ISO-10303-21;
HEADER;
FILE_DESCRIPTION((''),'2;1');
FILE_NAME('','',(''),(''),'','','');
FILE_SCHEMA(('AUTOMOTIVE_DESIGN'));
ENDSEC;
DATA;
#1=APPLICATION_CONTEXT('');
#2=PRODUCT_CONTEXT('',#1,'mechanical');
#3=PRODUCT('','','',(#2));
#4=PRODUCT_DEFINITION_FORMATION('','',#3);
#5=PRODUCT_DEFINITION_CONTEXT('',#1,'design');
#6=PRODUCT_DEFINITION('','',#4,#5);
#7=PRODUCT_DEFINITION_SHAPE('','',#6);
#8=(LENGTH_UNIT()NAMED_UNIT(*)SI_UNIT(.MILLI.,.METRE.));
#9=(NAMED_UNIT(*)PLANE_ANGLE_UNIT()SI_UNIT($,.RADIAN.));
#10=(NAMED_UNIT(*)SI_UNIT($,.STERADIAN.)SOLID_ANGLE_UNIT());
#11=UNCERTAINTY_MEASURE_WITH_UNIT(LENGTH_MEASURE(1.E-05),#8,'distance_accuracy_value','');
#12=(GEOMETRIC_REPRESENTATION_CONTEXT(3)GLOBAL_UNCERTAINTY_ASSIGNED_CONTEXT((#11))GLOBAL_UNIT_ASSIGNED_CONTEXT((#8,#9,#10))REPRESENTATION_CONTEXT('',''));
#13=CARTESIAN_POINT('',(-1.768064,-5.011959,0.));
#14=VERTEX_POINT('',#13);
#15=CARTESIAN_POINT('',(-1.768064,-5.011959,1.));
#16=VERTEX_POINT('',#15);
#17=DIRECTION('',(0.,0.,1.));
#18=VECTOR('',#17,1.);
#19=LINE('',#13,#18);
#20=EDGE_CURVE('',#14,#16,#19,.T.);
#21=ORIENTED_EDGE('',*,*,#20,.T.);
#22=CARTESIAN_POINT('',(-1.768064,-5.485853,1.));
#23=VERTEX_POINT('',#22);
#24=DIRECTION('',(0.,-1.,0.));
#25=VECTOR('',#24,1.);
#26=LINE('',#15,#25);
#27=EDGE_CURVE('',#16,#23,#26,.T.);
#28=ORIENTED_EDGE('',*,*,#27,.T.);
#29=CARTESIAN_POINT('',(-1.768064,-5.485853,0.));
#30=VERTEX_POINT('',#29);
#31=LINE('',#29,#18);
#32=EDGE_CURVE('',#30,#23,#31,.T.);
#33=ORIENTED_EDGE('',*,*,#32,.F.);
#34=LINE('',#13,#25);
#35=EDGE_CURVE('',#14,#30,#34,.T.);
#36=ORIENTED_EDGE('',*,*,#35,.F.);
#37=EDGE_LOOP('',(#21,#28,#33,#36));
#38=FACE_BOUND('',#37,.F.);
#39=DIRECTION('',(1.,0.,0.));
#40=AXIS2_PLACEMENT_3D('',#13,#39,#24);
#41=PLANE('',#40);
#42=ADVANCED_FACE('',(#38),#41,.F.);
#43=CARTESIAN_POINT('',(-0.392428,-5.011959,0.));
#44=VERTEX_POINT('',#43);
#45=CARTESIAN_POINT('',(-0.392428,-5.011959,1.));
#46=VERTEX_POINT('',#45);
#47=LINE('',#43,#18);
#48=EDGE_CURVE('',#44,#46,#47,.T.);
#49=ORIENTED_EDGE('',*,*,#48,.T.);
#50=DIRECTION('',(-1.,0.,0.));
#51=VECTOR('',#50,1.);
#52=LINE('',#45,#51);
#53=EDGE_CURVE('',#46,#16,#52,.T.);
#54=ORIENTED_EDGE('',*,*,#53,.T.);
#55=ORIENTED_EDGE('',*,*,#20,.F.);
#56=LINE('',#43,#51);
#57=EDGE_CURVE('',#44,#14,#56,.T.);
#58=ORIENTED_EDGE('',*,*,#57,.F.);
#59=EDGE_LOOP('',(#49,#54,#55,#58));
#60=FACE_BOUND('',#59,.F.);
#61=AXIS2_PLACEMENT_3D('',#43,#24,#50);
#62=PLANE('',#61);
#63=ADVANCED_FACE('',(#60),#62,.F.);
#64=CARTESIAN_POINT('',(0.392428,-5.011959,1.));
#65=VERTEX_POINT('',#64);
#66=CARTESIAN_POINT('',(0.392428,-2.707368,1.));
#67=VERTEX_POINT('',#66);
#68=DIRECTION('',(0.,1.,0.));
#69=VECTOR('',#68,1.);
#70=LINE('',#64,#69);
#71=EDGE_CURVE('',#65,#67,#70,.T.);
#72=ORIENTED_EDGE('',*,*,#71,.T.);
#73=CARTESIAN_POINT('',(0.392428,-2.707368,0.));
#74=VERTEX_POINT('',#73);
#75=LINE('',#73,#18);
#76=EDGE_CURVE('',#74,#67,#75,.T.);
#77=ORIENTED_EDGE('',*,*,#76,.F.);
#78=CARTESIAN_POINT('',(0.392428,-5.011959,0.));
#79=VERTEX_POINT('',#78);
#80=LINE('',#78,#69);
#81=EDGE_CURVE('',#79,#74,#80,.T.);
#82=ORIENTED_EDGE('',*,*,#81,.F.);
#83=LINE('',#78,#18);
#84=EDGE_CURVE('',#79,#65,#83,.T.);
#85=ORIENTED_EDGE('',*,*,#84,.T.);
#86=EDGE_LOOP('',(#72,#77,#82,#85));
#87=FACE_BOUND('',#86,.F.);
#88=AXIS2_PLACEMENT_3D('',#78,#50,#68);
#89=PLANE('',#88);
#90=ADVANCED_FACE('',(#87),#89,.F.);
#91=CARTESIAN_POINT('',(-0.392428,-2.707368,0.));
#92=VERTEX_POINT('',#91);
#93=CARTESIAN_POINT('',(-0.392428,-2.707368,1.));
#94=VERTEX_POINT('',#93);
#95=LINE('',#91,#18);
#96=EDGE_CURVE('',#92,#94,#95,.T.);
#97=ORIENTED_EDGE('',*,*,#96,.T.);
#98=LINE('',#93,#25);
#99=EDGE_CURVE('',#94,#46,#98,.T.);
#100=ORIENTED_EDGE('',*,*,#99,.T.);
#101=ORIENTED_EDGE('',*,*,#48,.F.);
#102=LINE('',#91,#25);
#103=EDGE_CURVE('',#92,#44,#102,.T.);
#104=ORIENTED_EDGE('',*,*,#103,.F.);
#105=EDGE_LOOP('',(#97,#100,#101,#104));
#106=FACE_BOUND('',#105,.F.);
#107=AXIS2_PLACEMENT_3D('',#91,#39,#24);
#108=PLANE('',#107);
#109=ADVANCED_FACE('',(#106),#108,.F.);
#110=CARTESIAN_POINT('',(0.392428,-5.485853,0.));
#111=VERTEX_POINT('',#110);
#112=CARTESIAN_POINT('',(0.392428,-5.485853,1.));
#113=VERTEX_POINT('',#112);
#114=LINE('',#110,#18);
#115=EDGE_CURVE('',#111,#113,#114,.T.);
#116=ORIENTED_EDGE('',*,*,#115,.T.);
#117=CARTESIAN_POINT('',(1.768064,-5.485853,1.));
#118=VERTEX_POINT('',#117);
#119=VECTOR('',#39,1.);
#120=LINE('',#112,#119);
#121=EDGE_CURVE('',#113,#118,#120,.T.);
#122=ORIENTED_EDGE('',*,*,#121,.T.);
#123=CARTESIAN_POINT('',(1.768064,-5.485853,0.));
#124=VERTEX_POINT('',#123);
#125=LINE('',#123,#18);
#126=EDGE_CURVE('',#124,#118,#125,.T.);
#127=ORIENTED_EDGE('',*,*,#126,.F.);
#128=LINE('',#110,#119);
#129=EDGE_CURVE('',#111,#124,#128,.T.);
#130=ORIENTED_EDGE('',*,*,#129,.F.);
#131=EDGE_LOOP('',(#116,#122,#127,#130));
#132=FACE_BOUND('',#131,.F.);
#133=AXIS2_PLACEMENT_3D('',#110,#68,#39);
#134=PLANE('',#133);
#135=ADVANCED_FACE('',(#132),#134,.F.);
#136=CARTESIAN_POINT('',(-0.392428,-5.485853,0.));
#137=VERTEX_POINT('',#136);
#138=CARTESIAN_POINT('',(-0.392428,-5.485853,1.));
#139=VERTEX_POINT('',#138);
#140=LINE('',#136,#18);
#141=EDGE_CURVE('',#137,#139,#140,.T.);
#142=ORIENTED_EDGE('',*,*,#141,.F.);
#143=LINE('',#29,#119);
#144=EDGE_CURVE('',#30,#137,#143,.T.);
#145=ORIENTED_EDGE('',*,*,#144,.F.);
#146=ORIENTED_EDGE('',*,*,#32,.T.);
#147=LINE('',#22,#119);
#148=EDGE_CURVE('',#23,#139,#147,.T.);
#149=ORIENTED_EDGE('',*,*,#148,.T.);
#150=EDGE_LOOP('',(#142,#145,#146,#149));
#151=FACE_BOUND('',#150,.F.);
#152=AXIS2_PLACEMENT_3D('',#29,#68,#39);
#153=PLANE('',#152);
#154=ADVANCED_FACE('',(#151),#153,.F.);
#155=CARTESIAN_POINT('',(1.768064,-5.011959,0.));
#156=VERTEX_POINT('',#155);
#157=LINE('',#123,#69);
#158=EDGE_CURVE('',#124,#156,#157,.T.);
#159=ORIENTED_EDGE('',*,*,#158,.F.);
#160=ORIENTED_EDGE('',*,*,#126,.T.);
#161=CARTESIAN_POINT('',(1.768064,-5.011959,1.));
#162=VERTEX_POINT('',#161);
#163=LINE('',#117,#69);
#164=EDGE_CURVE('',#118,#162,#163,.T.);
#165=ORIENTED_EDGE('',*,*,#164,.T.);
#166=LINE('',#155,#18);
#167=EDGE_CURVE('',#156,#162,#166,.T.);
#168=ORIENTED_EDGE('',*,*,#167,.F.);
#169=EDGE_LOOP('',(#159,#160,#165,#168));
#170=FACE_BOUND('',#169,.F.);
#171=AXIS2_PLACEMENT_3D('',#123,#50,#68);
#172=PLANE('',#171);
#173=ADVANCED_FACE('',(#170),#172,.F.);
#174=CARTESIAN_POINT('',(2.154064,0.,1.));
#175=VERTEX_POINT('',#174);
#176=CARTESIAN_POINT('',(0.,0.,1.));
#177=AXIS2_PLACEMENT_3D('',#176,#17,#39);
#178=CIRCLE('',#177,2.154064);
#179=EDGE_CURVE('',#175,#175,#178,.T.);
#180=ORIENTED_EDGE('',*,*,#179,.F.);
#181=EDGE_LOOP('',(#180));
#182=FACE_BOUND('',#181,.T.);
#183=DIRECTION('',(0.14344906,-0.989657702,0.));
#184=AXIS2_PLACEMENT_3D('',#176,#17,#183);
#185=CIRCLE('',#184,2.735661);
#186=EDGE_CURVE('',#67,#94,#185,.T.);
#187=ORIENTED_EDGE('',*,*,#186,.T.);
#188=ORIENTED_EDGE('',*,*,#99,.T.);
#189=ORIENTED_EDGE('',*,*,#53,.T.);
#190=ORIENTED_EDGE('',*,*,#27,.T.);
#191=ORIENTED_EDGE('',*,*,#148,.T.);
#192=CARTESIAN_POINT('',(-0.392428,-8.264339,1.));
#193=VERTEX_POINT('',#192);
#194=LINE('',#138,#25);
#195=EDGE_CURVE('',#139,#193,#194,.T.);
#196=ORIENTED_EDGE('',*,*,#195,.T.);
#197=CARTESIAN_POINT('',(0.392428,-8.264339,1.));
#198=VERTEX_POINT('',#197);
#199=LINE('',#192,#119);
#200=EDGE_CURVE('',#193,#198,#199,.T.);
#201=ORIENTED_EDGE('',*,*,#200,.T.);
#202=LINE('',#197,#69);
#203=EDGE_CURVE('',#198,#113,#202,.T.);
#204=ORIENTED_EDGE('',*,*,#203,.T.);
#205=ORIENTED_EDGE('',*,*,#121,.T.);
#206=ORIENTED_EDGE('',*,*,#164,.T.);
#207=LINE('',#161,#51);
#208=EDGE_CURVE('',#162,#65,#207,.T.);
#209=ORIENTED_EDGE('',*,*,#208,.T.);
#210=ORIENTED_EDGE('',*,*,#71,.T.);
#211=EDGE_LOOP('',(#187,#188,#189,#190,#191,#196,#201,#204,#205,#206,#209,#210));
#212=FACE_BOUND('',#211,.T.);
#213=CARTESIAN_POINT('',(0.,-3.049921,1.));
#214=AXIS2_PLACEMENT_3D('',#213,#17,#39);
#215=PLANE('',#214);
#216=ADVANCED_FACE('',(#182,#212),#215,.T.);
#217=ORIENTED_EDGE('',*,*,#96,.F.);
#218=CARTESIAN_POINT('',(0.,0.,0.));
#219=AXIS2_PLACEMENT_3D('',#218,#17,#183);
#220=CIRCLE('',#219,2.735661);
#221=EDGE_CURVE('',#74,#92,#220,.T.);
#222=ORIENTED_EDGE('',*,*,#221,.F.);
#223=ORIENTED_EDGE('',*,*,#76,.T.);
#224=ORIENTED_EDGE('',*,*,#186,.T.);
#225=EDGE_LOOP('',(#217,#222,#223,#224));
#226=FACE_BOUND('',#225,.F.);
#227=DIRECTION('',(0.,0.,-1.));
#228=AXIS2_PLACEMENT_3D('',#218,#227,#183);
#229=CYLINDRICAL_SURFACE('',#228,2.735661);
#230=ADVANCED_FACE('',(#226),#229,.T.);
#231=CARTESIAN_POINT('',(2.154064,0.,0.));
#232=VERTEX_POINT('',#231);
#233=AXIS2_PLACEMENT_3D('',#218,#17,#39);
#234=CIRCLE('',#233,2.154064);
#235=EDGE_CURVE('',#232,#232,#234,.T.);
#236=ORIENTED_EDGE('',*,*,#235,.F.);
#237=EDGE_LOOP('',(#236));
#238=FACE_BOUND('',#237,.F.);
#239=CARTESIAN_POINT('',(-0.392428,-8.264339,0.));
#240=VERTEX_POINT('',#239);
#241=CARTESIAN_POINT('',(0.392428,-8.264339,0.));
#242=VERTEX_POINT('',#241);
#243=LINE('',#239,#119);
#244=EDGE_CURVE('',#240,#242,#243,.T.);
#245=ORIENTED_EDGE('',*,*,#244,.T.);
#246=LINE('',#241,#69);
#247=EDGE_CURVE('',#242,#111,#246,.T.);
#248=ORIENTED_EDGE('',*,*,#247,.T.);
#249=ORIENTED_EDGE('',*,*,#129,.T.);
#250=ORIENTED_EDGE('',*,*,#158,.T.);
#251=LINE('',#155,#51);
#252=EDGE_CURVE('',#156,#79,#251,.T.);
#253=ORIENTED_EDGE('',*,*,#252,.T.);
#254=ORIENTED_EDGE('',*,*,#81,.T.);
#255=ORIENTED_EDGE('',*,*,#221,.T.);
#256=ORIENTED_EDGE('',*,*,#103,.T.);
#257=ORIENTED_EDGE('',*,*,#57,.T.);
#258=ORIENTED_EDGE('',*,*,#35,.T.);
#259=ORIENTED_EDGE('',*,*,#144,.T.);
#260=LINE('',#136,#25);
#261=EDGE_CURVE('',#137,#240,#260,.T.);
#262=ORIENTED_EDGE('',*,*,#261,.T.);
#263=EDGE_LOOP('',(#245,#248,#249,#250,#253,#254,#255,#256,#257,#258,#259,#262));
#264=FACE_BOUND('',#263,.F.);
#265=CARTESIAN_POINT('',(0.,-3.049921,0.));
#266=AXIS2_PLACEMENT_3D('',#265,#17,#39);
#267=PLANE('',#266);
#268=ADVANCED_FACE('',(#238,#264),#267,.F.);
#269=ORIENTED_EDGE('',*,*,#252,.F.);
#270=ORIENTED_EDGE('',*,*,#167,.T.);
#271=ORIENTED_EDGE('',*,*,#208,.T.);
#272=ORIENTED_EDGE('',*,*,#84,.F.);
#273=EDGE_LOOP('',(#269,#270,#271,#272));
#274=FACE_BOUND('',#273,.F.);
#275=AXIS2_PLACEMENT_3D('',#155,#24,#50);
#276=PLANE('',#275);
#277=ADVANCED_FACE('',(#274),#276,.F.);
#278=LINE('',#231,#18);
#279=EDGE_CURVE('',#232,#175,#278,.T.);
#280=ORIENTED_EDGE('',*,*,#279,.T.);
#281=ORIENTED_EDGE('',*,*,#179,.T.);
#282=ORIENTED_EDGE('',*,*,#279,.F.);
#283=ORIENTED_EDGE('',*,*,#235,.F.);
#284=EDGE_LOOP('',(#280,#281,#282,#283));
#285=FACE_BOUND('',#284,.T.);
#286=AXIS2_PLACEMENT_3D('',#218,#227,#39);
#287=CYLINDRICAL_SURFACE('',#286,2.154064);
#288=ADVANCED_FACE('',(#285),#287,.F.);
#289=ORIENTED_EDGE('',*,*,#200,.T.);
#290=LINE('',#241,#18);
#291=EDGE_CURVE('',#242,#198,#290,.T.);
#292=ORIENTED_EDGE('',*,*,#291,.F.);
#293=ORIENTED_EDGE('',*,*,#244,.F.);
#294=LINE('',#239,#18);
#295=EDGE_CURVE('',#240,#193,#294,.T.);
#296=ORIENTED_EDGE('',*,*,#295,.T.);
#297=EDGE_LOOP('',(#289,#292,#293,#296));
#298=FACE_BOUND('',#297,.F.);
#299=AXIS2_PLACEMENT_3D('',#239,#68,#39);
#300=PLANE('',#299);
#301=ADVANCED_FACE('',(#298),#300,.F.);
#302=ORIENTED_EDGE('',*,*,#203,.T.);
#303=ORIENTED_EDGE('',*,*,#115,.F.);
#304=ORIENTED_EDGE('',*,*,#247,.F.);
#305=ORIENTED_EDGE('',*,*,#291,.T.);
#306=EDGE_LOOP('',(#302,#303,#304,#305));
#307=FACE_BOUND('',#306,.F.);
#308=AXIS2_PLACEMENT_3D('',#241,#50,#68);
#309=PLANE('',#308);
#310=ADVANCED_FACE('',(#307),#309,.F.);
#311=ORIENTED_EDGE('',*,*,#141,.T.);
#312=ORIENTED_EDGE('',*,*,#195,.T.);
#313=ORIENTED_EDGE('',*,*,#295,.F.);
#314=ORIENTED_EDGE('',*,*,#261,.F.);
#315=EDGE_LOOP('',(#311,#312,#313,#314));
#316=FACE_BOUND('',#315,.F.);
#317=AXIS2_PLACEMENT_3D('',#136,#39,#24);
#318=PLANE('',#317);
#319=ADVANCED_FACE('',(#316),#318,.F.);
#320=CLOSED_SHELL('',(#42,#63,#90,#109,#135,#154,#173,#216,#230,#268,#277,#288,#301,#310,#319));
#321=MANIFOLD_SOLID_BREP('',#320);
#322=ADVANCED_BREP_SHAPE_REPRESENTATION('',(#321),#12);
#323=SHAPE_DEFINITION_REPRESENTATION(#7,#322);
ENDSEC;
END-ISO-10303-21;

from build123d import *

# Parameters (mm, degrees)
F0_R     = 2.154064
F1_DEPTH = 1


with BuildPart() as f1:
    # F0 (on Top) → F1 (new body)
    with BuildSketch(Plane.XY):
        with BuildLine():
            Line((0.392428, -5.011959), (0.392428, -2.707368))
            ThreePointArc((0.392428, -2.707368), (0, 2.735661), (-0.392428, -2.707368))
            Line((-0.392428, -2.707368), (-0.392428, -5.011959))
            Line((-0.392428, -5.011959), (-1.768064, -5.011959))
            Line((-1.768064, -5.011959), (-1.768064, -5.485853))
            Line((-1.768064, -5.485853), (-0.392428, -5.485853))
            Line((-0.392428, -5.485853), (-0.392428, -8.264339))
            Line((-0.392428, -8.264339), (0.392428, -8.264339))
            Line((0.392428, -8.264339), (0.392428, -5.485853))
            Line((0.392428, -5.485853), (1.768064, -5.485853))
            Line((1.768064, -5.485853), (1.768064, -5.011959))
            Line((1.768064, -5.011959), (0.392428, -5.011959))
        make_face()
        Circle(F0_R, mode=Mode.SUBTRACT)
    extrude(amount=F1_DEPTH)


solid = f1.part
